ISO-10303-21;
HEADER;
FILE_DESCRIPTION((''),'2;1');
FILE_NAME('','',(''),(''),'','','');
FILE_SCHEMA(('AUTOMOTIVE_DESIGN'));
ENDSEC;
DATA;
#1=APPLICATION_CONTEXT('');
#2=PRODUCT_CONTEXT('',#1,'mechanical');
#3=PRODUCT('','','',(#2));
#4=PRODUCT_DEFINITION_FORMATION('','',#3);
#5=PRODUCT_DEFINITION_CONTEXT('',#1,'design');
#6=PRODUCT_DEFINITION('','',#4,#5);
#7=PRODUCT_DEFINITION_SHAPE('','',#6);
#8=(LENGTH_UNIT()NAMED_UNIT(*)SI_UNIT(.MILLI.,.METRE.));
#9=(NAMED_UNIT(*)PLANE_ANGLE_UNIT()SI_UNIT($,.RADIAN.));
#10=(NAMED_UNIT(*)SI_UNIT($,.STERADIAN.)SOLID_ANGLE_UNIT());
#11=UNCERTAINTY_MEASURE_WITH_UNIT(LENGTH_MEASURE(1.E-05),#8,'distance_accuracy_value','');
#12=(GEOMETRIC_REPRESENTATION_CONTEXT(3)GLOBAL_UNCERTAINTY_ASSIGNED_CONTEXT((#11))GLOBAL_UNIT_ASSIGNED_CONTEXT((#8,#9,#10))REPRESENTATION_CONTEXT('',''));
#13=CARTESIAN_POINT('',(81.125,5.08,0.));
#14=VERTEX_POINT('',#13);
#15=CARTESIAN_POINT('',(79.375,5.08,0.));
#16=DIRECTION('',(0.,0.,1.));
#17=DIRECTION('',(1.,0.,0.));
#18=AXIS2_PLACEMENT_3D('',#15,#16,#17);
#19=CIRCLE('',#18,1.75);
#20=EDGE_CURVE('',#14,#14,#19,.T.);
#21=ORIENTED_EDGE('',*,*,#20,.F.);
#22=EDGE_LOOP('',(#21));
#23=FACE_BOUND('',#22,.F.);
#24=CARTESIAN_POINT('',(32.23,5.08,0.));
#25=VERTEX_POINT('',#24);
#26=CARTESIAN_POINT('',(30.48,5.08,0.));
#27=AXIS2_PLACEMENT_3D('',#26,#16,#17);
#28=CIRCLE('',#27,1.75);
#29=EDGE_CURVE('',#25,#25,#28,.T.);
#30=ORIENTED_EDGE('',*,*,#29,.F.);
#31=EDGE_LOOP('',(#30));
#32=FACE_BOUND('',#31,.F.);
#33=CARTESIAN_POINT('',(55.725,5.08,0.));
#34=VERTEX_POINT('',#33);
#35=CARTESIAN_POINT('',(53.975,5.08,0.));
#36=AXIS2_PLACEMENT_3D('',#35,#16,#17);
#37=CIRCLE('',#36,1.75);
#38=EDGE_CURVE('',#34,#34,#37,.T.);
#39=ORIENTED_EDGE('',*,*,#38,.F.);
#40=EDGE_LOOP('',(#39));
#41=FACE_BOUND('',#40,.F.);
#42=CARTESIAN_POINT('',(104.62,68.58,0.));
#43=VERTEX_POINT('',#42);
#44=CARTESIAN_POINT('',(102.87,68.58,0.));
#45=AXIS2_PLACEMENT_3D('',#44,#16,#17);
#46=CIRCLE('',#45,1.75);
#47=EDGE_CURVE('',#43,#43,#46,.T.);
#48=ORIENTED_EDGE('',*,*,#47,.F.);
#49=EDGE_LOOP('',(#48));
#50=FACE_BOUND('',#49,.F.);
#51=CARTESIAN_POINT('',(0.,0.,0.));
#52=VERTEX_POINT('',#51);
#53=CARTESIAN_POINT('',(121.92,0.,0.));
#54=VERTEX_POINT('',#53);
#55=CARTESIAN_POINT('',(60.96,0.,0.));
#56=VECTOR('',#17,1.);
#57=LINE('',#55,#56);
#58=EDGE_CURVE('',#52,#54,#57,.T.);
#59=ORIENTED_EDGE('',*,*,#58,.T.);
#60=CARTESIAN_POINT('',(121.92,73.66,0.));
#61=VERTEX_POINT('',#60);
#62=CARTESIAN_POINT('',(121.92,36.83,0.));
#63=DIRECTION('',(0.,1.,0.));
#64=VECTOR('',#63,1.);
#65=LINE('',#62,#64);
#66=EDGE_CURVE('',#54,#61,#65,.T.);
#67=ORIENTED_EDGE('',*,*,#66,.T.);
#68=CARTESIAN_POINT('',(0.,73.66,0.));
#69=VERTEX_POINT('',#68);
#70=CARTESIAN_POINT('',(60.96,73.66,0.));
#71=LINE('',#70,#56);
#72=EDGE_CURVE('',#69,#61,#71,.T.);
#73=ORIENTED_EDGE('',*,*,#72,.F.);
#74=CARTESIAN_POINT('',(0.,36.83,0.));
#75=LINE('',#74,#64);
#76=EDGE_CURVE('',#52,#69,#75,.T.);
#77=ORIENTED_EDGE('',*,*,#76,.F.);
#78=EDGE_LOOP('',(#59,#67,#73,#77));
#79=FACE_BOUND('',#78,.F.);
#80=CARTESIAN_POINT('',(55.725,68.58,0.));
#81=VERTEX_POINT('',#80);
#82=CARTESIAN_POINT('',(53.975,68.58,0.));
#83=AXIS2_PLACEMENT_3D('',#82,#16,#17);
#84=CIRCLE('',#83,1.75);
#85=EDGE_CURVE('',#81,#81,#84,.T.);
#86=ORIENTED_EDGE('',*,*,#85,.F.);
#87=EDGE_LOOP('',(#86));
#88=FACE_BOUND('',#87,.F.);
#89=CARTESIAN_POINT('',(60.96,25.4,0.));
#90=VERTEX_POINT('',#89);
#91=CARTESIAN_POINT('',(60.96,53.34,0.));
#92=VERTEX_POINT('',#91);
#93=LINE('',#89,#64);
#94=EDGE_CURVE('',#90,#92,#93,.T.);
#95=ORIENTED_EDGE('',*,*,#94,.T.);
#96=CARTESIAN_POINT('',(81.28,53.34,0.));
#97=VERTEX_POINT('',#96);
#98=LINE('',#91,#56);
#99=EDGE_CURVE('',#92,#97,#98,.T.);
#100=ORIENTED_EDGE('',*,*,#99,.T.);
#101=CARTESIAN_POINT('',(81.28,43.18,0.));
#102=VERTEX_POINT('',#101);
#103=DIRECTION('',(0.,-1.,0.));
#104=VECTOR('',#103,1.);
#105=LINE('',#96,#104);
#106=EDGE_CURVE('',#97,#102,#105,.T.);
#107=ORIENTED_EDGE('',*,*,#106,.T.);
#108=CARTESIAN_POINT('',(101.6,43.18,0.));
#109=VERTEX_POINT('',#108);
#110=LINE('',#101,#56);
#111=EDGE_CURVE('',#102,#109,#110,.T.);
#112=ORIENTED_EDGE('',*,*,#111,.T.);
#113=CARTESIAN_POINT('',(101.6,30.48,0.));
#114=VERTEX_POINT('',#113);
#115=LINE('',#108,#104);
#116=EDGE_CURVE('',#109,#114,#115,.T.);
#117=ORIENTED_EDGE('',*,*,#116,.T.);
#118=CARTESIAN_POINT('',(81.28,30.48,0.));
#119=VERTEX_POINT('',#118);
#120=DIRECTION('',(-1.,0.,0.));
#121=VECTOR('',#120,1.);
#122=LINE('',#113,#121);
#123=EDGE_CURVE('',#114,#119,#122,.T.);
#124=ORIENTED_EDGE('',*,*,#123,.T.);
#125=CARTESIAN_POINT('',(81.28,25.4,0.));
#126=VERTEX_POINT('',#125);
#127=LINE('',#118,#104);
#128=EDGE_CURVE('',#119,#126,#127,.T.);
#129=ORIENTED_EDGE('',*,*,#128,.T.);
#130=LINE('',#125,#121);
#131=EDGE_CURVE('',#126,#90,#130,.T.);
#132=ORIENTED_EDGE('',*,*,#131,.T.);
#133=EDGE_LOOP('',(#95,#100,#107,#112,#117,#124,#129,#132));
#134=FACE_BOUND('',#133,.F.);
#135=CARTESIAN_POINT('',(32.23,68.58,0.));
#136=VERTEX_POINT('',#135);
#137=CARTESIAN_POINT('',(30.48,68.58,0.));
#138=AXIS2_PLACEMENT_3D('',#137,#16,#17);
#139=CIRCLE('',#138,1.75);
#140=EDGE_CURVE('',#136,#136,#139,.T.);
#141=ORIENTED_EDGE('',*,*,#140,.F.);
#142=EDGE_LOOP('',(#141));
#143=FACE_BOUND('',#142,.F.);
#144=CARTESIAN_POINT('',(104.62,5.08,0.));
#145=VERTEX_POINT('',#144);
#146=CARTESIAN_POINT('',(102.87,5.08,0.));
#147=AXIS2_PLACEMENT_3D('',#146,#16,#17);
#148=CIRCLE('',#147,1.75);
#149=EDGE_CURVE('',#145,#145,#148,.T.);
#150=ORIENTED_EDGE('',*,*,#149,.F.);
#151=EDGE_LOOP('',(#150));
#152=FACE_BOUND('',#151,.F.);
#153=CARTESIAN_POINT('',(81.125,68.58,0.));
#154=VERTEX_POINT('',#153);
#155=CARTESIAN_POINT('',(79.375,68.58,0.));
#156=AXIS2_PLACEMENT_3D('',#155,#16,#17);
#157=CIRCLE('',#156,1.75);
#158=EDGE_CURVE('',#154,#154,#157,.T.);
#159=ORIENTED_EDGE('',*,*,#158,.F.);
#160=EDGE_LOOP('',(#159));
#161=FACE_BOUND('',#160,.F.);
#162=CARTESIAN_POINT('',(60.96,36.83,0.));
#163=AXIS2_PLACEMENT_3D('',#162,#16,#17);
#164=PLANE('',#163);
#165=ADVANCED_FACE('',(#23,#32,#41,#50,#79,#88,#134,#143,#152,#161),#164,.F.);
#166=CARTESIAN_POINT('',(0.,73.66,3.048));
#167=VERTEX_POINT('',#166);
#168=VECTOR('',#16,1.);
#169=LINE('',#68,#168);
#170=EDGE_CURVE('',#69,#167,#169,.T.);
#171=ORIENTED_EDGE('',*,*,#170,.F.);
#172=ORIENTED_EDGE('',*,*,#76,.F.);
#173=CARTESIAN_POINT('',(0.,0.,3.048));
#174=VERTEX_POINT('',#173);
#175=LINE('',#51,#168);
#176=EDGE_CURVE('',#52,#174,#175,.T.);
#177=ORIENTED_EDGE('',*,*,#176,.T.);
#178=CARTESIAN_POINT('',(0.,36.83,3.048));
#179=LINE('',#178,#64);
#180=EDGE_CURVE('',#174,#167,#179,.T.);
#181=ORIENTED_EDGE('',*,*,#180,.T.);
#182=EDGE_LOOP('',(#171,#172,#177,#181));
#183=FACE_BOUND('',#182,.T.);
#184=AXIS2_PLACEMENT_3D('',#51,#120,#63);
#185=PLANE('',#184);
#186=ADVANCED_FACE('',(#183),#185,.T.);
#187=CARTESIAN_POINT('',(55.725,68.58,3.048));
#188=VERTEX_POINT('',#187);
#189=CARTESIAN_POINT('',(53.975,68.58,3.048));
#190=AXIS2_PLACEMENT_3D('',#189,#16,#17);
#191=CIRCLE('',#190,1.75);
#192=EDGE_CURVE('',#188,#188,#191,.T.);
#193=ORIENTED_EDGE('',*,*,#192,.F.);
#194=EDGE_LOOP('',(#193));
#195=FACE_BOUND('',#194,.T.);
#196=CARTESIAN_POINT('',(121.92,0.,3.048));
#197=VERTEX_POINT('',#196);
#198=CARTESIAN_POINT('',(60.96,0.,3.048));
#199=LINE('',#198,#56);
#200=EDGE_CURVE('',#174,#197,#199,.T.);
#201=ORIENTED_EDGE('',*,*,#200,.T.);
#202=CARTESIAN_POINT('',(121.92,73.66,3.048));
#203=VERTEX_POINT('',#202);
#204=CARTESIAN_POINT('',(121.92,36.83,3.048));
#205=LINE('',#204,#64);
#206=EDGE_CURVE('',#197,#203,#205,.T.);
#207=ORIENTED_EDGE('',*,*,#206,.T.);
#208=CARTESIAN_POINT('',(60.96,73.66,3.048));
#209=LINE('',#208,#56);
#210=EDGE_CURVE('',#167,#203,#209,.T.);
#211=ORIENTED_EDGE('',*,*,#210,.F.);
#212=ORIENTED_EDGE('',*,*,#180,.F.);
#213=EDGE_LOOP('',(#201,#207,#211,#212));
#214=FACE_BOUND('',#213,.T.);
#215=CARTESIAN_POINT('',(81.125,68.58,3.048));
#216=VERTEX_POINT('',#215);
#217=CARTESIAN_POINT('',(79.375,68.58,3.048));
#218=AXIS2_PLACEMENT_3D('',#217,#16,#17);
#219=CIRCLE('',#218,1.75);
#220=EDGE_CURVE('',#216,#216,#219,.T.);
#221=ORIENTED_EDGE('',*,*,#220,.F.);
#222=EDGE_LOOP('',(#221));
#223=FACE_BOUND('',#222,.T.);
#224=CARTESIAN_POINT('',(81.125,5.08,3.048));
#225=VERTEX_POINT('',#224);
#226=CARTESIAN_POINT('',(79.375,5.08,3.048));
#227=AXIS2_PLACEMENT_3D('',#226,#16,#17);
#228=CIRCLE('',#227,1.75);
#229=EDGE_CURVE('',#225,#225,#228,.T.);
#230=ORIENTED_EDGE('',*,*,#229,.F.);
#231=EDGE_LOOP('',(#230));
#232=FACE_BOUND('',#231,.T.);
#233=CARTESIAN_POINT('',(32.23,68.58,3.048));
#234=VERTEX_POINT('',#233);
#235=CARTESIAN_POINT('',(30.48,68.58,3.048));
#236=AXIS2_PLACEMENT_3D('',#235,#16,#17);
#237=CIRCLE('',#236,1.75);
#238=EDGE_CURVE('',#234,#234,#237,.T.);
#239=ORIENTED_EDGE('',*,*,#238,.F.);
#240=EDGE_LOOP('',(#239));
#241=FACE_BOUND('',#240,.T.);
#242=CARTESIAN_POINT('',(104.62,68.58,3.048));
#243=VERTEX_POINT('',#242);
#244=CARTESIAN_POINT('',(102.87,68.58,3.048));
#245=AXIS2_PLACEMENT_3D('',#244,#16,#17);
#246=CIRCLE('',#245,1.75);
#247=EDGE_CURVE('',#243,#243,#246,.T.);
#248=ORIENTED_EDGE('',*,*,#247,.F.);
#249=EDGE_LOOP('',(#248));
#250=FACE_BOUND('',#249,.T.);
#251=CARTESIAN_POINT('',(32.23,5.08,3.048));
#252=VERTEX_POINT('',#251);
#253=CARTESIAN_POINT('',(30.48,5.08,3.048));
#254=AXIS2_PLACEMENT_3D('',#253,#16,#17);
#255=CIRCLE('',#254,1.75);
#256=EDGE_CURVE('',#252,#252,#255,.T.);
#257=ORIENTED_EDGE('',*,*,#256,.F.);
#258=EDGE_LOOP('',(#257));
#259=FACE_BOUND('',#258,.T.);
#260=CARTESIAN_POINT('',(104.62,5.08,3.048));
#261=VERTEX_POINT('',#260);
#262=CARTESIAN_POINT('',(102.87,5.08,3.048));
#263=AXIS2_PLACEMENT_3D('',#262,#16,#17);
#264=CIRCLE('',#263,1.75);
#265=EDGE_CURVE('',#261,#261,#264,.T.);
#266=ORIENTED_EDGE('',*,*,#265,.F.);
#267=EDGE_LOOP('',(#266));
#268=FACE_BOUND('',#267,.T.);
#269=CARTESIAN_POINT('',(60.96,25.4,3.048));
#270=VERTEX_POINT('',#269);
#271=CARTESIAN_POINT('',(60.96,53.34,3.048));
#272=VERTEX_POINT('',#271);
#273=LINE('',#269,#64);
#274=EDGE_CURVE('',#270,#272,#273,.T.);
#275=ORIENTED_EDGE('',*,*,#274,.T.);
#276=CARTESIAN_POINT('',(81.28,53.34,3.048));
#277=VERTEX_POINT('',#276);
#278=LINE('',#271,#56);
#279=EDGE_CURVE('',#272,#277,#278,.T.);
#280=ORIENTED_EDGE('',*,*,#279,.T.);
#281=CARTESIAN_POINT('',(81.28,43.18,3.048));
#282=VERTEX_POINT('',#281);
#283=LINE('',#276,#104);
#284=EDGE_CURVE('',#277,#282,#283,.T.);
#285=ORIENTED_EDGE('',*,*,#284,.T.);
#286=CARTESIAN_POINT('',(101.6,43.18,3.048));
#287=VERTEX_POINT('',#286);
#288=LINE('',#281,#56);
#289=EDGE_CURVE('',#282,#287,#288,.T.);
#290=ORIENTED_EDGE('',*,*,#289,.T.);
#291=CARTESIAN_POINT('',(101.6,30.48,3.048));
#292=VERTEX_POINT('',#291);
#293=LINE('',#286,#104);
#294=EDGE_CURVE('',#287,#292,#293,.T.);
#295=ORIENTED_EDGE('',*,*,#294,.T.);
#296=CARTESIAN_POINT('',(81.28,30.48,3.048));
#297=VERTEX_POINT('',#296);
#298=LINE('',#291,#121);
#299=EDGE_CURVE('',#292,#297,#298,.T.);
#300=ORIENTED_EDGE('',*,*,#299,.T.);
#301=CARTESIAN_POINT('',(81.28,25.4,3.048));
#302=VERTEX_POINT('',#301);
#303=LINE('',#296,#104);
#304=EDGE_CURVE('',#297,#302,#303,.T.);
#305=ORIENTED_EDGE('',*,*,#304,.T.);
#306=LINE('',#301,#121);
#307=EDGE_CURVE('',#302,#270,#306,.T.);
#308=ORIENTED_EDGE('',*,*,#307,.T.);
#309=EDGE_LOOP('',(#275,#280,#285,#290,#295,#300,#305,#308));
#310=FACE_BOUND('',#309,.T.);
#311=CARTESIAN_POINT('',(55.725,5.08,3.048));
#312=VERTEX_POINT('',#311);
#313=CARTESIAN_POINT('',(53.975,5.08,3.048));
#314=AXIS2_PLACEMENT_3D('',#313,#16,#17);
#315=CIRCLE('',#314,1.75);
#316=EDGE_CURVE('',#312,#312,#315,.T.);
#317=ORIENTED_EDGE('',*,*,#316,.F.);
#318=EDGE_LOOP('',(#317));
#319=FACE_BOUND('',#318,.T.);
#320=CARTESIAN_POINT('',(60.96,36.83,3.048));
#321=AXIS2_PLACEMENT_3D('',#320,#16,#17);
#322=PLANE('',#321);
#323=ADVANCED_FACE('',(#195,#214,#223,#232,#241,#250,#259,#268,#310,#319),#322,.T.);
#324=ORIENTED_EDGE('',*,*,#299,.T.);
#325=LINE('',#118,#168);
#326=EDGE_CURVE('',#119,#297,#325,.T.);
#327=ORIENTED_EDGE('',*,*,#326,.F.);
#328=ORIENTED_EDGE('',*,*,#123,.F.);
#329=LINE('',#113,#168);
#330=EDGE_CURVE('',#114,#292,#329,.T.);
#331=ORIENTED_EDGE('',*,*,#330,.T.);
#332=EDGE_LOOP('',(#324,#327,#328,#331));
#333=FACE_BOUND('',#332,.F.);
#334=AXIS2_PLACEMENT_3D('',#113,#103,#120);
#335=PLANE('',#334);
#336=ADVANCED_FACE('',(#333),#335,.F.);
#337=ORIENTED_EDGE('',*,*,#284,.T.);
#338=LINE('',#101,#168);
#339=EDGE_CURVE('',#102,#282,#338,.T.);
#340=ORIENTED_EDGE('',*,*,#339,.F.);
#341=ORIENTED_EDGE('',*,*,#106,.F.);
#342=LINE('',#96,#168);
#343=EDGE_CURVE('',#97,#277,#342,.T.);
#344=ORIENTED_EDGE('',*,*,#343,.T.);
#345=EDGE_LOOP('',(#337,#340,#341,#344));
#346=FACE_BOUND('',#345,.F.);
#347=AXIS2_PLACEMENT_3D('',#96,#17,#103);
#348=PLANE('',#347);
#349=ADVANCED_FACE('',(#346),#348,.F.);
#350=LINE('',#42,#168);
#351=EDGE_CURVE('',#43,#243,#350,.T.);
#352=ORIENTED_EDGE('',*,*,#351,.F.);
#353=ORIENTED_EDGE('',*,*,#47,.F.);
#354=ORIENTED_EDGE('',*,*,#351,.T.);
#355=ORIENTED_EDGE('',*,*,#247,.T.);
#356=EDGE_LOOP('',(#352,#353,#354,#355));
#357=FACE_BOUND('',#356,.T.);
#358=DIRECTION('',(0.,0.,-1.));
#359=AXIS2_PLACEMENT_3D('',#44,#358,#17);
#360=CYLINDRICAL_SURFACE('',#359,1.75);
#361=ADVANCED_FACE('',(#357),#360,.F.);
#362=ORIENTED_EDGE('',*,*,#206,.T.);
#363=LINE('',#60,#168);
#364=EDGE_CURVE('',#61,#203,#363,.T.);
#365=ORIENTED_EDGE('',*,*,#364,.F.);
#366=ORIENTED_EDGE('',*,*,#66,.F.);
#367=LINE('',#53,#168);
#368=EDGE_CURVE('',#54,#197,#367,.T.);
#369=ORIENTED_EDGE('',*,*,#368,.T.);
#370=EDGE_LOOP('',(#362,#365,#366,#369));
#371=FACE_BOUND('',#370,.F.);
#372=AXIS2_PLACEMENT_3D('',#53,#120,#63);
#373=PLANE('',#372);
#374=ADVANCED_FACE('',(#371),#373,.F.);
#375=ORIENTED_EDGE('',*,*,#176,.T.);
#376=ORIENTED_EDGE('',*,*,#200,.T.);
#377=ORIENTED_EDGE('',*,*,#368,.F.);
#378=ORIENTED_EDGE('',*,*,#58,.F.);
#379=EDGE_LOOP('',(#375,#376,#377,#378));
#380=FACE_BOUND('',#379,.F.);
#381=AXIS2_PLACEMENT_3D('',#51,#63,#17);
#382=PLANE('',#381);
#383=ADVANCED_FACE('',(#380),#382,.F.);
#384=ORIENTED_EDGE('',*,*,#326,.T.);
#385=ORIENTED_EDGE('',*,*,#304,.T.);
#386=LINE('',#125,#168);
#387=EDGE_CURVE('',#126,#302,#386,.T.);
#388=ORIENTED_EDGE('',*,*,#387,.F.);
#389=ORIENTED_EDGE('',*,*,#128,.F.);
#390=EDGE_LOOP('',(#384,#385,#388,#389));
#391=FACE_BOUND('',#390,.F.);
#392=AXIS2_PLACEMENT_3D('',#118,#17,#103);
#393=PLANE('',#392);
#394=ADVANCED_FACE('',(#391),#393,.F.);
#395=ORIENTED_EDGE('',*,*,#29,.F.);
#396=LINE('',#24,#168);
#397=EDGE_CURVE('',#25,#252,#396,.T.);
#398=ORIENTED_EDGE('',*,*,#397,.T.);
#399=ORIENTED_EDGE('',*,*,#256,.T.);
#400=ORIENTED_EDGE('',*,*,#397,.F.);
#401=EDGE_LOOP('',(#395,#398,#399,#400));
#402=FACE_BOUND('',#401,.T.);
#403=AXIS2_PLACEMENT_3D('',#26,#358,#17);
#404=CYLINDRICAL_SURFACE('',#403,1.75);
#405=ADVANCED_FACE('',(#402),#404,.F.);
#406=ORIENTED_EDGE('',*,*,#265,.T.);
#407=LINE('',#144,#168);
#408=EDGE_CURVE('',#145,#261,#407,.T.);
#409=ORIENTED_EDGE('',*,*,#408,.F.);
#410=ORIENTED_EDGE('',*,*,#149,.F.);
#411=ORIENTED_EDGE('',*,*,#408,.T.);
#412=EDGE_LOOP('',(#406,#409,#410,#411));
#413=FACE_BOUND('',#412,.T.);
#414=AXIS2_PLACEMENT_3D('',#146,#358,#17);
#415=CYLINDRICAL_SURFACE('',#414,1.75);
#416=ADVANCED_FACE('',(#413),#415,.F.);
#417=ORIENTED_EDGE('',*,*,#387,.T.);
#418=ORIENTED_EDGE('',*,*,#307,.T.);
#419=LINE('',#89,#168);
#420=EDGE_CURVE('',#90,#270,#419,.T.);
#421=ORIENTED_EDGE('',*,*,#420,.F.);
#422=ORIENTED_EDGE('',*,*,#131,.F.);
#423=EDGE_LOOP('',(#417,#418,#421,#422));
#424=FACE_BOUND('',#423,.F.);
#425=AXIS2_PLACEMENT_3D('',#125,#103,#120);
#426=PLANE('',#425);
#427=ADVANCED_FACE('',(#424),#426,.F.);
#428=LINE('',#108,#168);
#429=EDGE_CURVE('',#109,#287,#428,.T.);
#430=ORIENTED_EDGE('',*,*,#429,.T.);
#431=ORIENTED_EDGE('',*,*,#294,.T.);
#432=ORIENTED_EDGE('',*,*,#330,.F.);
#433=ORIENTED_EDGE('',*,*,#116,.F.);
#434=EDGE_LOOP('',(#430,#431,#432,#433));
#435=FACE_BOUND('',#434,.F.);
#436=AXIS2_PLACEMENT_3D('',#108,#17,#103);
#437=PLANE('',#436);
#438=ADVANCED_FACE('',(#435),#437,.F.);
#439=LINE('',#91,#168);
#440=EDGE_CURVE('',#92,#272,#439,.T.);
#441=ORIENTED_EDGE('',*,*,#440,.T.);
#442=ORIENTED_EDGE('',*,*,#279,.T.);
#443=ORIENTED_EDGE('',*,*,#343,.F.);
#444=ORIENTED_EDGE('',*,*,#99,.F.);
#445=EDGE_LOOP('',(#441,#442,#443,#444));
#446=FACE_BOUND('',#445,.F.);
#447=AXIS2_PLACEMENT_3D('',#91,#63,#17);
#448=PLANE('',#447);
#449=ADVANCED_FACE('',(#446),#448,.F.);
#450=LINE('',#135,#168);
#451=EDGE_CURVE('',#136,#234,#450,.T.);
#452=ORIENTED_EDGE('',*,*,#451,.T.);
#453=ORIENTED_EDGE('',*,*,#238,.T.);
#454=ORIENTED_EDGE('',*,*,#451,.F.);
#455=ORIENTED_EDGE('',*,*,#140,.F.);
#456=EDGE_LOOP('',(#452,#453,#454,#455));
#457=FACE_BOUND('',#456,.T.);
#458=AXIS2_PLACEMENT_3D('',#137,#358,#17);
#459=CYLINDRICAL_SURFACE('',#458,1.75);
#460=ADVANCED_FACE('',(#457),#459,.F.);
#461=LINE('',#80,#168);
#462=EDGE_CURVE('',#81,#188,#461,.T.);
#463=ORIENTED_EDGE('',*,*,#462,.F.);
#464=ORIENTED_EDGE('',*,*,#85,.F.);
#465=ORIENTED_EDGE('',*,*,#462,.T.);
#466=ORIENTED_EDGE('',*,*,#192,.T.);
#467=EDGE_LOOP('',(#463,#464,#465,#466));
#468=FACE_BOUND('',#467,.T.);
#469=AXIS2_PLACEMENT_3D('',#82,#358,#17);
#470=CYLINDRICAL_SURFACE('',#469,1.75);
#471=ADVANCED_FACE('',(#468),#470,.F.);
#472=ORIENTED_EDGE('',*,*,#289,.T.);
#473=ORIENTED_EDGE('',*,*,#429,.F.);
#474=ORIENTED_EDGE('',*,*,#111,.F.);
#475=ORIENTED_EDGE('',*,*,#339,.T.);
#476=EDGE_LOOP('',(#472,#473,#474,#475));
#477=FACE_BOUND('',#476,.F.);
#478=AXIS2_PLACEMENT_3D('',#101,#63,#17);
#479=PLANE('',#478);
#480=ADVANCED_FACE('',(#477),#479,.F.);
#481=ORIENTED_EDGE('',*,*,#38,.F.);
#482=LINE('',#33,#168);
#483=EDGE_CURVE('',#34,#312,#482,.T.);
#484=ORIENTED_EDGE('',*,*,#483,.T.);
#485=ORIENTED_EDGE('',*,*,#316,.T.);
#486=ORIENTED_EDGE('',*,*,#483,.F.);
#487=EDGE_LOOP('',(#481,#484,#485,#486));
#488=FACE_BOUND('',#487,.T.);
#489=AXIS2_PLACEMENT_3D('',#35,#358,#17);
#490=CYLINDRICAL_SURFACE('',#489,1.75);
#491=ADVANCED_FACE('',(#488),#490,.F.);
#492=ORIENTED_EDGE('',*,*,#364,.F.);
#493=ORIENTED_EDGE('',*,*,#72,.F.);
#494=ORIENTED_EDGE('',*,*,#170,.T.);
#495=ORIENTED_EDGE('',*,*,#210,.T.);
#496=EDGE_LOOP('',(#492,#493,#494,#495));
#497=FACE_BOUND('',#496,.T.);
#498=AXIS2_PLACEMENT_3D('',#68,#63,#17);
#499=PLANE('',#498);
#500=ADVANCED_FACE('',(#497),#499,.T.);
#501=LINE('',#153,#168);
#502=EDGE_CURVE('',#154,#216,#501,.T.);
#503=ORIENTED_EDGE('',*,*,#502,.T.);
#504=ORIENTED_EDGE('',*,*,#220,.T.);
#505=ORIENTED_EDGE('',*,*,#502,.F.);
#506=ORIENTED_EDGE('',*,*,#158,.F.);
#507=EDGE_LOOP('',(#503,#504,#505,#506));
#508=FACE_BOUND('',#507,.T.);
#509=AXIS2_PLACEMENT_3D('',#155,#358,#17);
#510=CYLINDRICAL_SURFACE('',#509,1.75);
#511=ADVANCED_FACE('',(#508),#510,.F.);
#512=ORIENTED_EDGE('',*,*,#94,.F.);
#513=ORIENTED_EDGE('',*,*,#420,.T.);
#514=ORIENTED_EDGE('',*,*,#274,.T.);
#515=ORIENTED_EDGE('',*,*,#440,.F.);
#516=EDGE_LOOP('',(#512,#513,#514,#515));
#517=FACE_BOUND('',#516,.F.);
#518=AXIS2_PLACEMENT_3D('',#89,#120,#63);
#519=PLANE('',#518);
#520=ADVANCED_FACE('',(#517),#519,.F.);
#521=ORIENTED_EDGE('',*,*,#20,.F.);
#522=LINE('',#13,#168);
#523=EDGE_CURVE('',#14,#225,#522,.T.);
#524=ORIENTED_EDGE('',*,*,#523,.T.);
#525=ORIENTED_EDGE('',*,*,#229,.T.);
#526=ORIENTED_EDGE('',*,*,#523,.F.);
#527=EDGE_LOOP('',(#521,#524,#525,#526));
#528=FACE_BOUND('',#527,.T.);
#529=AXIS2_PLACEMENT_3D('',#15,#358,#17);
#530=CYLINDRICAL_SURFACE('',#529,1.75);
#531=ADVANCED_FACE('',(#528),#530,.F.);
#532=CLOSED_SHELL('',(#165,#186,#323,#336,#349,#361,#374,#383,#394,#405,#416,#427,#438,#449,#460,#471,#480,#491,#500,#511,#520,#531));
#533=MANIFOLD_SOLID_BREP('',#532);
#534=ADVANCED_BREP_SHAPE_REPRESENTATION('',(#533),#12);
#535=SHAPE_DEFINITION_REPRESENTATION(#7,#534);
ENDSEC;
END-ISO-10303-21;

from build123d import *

# Parameters (mm, degrees)
F0_W     = 121.92
F0_H     = 73.66
F0_R     = 1.75
F1_DEPTH = 3.048


with BuildPart() as f1:
    # F0 (on Top) → F1 (new body)
    with BuildSketch(Plane.XY):
        with Locations((60.96, 36.83)):
            Rectangle(F0_W, F0_H)
        with Locations((30.48, 5.08)):
            Circle(F0_R, mode=Mode.SUBTRACT)
        with Locations((53.975, 5.08)):
            Circle(F0_R, mode=Mode.SUBTRACT)
        with Locations((79.375, 5.08)):
            Circle(F0_R, mode=Mode.SUBTRACT)
        with Locations((102.87, 5.08)):
            Circle(F0_R, mode=Mode.SUBTRACT)
        with Locations((30.48, 68.58)):
            Circle(F0_R, mode=Mode.SUBTRACT)
        with Locations((53.975, 68.58)):
            Circle(F0_R, mode=Mode.SUBTRACT)
        Polygon((81.28, 25.4), (60.96, 25.4), (60.96, 53.34), (81.28, 53.34), (81.28, 43.18), (101.6, 43.18), (101.6, 30.48), (81.28, 30.48), align=None, mode=Mode.SUBTRACT)
        with Locations((79.375, 68.58)):
            Circle(F0_R, mode=Mode.SUBTRACT)
        with Locations((102.87, 68.58)):
            Circle(F0_R, mode=Mode.SUBTRACT)
    extrude(amount=F1_DEPTH)


solid = f1.part
